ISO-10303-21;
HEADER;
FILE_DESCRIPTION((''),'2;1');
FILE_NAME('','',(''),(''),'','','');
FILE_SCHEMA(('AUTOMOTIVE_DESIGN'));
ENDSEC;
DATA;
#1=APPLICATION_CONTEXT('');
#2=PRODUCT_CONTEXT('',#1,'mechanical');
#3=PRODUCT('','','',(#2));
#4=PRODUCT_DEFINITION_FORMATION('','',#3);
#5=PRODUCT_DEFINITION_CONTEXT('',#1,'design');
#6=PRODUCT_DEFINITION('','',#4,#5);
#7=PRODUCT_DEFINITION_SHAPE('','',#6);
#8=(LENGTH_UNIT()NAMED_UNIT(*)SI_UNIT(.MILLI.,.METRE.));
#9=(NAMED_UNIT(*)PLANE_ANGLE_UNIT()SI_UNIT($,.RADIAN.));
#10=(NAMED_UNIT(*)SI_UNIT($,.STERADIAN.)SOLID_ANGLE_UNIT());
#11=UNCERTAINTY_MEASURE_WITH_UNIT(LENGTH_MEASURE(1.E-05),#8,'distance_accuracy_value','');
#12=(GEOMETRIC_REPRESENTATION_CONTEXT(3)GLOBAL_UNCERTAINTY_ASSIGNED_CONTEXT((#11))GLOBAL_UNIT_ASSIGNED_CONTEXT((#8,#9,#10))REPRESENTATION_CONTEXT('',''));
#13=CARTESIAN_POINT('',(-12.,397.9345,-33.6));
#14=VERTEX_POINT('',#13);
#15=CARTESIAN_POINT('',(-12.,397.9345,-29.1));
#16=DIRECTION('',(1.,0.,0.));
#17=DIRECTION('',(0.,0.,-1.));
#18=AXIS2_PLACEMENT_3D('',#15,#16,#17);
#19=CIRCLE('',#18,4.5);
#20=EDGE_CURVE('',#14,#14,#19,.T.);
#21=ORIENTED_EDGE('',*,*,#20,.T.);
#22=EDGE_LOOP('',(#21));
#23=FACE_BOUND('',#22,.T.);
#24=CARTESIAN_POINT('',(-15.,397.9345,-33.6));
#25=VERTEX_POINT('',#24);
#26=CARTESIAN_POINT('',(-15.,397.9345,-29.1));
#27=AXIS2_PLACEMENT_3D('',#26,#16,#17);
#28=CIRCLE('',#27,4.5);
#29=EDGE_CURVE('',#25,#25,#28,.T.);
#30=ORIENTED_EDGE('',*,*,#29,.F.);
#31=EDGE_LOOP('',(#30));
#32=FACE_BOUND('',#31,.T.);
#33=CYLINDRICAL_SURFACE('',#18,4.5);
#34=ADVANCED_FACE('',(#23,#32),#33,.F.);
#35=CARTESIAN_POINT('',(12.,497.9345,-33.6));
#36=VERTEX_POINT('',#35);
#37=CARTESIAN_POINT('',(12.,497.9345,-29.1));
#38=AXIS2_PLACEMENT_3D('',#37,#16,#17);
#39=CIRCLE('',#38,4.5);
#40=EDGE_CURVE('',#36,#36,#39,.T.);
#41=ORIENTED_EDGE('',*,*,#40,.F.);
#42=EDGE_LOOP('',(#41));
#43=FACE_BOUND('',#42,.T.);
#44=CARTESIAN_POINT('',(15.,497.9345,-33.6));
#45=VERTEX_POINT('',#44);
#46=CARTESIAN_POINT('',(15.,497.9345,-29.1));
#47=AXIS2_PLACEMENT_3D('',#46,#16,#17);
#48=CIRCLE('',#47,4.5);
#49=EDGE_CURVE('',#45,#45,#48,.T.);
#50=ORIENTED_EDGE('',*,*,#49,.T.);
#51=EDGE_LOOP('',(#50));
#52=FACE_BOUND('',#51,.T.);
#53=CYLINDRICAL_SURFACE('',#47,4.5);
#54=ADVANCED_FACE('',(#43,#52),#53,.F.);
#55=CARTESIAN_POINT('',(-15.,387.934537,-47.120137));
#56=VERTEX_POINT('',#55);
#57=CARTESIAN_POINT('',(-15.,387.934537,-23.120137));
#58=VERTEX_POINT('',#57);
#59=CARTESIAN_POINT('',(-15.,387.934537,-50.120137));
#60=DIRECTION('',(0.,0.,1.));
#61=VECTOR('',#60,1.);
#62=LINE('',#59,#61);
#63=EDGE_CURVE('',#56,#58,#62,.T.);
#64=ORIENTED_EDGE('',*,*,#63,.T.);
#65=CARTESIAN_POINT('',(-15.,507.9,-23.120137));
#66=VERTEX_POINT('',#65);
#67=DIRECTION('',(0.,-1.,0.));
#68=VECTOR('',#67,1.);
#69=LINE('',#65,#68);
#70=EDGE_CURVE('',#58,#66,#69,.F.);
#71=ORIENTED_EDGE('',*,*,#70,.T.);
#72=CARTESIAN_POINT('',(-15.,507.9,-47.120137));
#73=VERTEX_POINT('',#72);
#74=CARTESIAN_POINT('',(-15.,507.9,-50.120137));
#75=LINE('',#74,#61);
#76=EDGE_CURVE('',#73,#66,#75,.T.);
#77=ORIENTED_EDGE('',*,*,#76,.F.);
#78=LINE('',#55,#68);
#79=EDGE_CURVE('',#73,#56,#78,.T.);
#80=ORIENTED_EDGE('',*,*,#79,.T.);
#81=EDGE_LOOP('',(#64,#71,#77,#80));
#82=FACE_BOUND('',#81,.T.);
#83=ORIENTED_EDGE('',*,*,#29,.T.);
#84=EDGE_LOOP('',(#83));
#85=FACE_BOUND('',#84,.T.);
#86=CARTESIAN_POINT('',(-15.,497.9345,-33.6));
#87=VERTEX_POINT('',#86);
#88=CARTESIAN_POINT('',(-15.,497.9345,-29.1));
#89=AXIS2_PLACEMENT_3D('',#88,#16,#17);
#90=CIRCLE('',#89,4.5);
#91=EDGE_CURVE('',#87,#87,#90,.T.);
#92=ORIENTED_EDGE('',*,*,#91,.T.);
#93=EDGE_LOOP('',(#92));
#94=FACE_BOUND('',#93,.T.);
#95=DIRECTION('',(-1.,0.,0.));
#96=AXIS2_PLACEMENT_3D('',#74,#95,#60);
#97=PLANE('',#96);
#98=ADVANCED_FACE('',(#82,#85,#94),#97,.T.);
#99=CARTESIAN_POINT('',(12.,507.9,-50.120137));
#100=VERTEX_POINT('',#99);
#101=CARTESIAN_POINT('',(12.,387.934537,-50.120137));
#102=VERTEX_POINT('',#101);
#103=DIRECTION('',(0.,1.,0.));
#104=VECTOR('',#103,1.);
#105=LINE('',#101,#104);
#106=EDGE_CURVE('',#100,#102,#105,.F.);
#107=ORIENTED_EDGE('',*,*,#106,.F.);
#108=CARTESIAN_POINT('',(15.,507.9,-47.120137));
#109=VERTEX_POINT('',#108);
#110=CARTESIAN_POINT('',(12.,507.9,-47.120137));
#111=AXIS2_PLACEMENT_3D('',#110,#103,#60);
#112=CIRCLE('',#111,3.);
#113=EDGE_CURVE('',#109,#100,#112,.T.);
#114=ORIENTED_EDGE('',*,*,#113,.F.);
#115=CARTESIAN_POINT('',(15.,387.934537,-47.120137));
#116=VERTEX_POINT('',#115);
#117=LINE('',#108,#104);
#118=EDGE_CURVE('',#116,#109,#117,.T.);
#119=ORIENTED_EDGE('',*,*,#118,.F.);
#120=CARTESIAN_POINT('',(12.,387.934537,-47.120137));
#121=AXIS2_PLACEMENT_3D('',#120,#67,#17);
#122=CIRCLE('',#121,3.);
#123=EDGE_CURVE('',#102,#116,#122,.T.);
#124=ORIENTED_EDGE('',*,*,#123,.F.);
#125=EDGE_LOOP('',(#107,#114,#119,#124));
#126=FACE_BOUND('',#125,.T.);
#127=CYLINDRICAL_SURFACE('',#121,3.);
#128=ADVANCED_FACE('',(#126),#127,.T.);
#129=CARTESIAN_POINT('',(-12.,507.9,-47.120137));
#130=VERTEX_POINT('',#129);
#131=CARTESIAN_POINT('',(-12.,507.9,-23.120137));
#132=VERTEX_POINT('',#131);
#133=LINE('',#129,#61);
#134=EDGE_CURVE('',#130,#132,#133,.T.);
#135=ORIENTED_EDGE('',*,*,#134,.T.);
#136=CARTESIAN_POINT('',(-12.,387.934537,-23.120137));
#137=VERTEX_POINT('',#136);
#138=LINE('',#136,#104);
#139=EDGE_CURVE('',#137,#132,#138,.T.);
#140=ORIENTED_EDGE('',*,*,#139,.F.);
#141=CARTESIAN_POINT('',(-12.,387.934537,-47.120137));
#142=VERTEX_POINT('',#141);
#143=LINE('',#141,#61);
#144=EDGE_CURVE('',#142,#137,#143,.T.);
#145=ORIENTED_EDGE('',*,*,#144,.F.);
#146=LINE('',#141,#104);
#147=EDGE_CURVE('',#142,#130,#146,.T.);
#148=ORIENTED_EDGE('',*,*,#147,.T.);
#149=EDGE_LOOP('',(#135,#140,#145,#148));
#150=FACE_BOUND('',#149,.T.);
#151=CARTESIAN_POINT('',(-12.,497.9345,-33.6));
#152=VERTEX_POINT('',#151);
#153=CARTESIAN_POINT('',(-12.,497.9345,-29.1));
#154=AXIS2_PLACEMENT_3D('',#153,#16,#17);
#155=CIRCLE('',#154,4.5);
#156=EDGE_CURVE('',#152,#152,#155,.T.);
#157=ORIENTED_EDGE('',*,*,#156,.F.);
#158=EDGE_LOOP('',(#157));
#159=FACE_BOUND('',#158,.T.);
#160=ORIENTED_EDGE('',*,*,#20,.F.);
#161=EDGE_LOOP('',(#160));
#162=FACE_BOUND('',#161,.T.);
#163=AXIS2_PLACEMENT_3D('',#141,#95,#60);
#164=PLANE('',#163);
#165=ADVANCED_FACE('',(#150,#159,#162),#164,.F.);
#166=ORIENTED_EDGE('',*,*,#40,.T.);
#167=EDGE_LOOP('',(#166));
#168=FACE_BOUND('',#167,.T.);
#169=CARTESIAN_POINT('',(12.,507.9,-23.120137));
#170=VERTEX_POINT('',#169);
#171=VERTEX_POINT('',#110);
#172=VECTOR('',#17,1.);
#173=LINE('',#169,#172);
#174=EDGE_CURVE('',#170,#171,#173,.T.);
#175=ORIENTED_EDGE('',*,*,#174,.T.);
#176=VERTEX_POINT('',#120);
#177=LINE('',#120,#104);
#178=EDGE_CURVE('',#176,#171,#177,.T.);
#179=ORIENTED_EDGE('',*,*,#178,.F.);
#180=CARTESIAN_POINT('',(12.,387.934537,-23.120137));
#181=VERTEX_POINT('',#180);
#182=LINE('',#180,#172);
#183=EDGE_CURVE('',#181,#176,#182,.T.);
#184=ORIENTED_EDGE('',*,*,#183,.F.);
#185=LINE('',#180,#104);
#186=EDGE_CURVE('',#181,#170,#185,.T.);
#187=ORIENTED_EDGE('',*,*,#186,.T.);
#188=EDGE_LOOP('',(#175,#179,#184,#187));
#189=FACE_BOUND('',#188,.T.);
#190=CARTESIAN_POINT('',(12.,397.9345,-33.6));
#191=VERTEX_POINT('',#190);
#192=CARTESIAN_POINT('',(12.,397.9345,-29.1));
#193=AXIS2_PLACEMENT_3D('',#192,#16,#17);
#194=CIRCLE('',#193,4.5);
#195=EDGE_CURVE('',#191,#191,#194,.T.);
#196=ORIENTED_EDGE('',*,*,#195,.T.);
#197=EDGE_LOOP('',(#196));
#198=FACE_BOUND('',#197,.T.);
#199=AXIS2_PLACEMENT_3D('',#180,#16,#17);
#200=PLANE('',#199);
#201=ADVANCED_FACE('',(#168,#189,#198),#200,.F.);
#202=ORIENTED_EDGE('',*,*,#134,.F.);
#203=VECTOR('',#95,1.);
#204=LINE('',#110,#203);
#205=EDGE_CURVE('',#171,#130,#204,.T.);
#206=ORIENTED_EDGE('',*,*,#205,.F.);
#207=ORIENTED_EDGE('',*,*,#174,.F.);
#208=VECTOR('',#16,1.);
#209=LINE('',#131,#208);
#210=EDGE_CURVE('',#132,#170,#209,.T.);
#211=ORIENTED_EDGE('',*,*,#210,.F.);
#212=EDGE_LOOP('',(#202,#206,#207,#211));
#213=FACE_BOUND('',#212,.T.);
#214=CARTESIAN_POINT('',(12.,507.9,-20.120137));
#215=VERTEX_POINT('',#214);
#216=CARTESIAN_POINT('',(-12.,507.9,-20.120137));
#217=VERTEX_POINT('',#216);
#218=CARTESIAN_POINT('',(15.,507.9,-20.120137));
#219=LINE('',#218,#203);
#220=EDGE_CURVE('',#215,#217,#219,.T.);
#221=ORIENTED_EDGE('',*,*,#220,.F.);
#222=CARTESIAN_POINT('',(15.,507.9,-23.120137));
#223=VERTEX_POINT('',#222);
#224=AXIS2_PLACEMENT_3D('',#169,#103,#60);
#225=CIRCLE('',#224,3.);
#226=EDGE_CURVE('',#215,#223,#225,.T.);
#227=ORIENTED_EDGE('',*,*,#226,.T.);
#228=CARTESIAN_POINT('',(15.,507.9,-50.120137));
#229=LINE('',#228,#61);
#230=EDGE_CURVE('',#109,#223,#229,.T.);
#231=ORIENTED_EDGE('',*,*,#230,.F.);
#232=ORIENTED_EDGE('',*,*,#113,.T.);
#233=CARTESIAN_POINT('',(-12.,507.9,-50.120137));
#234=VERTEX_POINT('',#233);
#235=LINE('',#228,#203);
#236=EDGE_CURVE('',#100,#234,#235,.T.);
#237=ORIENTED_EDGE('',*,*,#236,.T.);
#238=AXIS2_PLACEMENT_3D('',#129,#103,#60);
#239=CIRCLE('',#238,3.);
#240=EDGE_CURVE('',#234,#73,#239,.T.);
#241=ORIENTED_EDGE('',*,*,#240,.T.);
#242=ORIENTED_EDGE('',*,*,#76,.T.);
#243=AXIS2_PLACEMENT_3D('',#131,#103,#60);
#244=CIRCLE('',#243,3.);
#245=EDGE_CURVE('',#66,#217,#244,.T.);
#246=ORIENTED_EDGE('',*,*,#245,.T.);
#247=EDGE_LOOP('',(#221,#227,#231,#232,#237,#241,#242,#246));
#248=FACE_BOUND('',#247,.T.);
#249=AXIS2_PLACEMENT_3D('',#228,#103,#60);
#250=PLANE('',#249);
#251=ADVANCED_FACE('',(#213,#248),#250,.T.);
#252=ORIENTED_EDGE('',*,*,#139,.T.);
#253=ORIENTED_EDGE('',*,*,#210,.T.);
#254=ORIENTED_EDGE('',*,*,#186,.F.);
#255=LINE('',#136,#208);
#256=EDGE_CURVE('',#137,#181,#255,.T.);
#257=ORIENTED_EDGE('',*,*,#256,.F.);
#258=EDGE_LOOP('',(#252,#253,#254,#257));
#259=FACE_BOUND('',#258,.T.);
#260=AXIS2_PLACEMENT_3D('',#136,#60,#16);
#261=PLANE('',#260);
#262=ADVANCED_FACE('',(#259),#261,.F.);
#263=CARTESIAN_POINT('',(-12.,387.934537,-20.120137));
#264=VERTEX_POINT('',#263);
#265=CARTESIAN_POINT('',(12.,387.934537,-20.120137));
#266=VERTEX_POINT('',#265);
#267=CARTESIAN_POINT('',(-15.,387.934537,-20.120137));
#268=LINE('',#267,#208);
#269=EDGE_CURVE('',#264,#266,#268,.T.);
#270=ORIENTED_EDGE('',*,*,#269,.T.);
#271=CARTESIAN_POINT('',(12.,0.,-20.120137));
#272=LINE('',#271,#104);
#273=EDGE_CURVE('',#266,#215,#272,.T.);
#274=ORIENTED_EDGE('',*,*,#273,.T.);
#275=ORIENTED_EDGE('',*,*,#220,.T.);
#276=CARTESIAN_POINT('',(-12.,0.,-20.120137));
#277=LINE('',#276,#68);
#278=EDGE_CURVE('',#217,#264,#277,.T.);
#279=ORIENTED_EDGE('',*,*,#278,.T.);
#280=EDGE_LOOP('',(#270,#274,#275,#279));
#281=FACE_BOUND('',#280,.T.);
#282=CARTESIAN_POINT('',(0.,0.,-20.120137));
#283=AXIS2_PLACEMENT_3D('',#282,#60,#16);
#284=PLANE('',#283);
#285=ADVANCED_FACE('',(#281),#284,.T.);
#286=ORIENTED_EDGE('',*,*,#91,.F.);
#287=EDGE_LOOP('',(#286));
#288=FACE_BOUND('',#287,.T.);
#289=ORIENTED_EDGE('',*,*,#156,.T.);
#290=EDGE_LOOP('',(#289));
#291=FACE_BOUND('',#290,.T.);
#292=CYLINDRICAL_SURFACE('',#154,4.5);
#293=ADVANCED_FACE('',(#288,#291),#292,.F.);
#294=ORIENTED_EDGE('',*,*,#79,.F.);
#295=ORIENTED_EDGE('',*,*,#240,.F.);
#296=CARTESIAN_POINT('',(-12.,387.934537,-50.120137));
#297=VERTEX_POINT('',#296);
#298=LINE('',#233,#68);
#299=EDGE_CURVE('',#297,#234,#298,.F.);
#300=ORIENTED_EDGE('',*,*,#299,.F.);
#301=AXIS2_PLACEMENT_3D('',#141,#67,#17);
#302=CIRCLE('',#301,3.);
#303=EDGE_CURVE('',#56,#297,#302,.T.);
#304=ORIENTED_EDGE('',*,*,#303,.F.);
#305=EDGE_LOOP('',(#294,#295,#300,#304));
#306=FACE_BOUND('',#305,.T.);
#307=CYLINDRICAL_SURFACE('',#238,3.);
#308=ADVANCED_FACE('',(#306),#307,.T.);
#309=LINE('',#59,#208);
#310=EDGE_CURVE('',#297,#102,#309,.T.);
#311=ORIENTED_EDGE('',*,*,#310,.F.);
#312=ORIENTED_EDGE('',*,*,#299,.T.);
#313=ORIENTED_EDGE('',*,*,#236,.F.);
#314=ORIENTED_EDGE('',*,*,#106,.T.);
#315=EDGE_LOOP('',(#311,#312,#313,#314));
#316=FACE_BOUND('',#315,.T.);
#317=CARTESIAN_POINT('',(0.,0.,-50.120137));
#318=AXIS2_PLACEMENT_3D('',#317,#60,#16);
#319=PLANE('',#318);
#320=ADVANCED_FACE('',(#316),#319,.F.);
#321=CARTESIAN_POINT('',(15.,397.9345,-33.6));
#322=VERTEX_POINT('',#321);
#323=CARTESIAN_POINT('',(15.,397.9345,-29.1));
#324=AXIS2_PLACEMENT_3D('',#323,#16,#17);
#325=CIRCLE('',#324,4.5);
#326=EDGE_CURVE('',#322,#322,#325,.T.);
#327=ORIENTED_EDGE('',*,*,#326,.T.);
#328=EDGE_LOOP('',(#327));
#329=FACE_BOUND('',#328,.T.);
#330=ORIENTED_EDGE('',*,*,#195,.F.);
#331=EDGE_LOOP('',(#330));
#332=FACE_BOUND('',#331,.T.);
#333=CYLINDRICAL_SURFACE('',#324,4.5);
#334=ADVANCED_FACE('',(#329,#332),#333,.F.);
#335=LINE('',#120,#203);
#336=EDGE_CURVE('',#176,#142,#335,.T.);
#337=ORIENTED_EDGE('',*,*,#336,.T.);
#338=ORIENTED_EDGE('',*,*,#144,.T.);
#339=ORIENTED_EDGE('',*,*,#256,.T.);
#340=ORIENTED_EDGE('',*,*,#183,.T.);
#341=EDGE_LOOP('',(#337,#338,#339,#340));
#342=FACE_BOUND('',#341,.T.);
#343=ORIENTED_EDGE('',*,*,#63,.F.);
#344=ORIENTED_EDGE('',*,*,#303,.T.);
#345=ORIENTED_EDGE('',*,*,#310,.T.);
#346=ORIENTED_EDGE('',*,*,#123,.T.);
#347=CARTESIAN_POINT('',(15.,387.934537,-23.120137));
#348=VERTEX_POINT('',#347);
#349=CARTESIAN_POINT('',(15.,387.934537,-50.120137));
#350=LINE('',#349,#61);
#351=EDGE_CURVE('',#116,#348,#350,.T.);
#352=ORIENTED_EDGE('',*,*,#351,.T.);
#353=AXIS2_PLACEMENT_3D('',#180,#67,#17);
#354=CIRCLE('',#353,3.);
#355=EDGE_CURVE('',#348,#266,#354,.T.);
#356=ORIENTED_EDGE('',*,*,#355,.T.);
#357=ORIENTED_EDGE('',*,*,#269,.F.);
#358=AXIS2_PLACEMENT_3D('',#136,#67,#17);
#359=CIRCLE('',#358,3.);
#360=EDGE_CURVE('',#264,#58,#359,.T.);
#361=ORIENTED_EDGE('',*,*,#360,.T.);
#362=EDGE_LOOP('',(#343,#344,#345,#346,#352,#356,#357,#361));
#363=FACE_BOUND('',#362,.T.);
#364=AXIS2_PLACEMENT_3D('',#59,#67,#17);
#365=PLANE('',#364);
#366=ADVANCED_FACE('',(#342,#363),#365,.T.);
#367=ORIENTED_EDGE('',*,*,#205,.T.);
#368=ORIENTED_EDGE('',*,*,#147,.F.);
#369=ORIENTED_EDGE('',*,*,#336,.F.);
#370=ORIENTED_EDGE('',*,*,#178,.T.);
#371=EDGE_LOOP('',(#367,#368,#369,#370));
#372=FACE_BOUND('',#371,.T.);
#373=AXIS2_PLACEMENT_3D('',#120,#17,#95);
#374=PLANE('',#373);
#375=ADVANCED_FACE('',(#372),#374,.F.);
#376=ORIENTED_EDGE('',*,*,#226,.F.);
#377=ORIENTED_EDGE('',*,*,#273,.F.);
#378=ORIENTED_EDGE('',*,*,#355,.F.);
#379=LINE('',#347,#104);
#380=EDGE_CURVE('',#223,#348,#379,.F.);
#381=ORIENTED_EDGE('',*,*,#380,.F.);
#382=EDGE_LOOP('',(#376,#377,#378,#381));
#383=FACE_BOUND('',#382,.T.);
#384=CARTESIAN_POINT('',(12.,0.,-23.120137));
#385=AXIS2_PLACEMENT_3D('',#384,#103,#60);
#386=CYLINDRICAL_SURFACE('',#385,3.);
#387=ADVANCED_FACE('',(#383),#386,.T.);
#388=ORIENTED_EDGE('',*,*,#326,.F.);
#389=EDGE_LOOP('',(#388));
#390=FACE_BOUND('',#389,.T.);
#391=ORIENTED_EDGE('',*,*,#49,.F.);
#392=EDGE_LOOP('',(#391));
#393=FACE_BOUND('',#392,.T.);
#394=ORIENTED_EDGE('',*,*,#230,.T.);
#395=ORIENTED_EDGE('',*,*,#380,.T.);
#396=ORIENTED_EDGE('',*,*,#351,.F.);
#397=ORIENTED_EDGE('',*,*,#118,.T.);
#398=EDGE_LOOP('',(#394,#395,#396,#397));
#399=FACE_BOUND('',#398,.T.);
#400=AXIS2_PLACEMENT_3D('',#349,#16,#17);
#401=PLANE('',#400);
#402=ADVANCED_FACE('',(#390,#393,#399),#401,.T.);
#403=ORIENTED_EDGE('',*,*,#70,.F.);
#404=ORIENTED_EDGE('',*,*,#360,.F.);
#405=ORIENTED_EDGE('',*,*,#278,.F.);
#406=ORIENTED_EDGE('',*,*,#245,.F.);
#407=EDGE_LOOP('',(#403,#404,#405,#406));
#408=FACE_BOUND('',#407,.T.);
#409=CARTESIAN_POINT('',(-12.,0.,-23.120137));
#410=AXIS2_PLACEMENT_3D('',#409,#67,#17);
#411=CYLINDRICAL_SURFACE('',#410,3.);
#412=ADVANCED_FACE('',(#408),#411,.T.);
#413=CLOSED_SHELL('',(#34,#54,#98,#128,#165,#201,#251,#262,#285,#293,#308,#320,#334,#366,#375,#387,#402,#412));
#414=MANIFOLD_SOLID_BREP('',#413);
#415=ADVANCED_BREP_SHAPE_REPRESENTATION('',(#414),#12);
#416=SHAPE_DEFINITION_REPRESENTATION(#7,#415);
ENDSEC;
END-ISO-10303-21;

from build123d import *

# Parameters (mm, degrees)
CROQUIS1_W                        = 30
CROQUIS1_H                        = 119.965463257
SALIENTE_EXTRUIR1_DEPTH           = 30
CROQUIS2_W                        = 24
CROQUIS2_H                        = 24
CORTAR_EXTRUIR1_DEPTH             = 120.965463257
DI_METRO_DE_TALADRO_9_0_9_1_D     = 9
DI_METRO_DE_TALADRO_9_0_9_1_DEPTH = 3
DI_METRO_DE_TALADRO_9_0_9_2_D     = 9
DI_METRO_DE_TALADRO_9_0_9_2_DEPTH = 30
REDONDEO1_R                       = 3


with BuildPart() as part:
    # Croquis1 → Saliente-Extruir1 (new body)
    with BuildSketch(Plane.XY.offset(-20.120137415)):
        with Locations((0, 447.917268372)):
            Rectangle(CROQUIS1_W, CROQUIS1_H)
    extrude(amount=-SALIENTE_EXTRUIR1_DEPTH)

    # Croquis2 → Cortar-Extruir1 (cut, through all)
    with BuildSketch(Plane(origin=(0, 507.9, 0), x_dir=(-1, 0, 0), z_dir=(0, 1, 0))):
        with Locations((0, -35.120137415)):
            Rectangle(CROQUIS2_W, CROQUIS2_H)
    extrude(amount=-CORTAR_EXTRUIR1_DEPTH, mode=Mode.SUBTRACT)

    # Diámetro de taladro Ø9.0 (9)1
    with Locations(Plane(origin=(-12, 0, 0), x_dir=(0, 0, -1), z_dir=(1, 0, 0))):
        with Locations((29.1, 397.9345), (29.1, 497.9345)):
            Hole(DI_METRO_DE_TALADRO_9_0_9_1_D / 2, depth=DI_METRO_DE_TALADRO_9_0_9_1_DEPTH)

    # Diámetro de taladro Ø9.0 (9)2
    with Locations(Plane(origin=(15, 0, 0), x_dir=(0, 0, -1), z_dir=(1, 0, 0))):
        with Locations((29.1, 497.9345), (29.1, 397.9345)):
            Hole(DI_METRO_DE_TALADRO_9_0_9_2_D / 2, depth=DI_METRO_DE_TALADRO_9_0_9_2_DEPTH)

    # Redondeo1
    redondeo1_edges = [part.edges().sort_by_distance(p)[0] for p in [
        (15, 447.917268372, -50.120137415),
        (-15, 447.917268372, -50.120137415),
        (15, 447.917268372, -20.120137415),
        (-15, 447.917268372, -20.120137415),
    ]]
    fillet(redondeo1_edges, radius=REDONDEO1_R)


solid = part.part
